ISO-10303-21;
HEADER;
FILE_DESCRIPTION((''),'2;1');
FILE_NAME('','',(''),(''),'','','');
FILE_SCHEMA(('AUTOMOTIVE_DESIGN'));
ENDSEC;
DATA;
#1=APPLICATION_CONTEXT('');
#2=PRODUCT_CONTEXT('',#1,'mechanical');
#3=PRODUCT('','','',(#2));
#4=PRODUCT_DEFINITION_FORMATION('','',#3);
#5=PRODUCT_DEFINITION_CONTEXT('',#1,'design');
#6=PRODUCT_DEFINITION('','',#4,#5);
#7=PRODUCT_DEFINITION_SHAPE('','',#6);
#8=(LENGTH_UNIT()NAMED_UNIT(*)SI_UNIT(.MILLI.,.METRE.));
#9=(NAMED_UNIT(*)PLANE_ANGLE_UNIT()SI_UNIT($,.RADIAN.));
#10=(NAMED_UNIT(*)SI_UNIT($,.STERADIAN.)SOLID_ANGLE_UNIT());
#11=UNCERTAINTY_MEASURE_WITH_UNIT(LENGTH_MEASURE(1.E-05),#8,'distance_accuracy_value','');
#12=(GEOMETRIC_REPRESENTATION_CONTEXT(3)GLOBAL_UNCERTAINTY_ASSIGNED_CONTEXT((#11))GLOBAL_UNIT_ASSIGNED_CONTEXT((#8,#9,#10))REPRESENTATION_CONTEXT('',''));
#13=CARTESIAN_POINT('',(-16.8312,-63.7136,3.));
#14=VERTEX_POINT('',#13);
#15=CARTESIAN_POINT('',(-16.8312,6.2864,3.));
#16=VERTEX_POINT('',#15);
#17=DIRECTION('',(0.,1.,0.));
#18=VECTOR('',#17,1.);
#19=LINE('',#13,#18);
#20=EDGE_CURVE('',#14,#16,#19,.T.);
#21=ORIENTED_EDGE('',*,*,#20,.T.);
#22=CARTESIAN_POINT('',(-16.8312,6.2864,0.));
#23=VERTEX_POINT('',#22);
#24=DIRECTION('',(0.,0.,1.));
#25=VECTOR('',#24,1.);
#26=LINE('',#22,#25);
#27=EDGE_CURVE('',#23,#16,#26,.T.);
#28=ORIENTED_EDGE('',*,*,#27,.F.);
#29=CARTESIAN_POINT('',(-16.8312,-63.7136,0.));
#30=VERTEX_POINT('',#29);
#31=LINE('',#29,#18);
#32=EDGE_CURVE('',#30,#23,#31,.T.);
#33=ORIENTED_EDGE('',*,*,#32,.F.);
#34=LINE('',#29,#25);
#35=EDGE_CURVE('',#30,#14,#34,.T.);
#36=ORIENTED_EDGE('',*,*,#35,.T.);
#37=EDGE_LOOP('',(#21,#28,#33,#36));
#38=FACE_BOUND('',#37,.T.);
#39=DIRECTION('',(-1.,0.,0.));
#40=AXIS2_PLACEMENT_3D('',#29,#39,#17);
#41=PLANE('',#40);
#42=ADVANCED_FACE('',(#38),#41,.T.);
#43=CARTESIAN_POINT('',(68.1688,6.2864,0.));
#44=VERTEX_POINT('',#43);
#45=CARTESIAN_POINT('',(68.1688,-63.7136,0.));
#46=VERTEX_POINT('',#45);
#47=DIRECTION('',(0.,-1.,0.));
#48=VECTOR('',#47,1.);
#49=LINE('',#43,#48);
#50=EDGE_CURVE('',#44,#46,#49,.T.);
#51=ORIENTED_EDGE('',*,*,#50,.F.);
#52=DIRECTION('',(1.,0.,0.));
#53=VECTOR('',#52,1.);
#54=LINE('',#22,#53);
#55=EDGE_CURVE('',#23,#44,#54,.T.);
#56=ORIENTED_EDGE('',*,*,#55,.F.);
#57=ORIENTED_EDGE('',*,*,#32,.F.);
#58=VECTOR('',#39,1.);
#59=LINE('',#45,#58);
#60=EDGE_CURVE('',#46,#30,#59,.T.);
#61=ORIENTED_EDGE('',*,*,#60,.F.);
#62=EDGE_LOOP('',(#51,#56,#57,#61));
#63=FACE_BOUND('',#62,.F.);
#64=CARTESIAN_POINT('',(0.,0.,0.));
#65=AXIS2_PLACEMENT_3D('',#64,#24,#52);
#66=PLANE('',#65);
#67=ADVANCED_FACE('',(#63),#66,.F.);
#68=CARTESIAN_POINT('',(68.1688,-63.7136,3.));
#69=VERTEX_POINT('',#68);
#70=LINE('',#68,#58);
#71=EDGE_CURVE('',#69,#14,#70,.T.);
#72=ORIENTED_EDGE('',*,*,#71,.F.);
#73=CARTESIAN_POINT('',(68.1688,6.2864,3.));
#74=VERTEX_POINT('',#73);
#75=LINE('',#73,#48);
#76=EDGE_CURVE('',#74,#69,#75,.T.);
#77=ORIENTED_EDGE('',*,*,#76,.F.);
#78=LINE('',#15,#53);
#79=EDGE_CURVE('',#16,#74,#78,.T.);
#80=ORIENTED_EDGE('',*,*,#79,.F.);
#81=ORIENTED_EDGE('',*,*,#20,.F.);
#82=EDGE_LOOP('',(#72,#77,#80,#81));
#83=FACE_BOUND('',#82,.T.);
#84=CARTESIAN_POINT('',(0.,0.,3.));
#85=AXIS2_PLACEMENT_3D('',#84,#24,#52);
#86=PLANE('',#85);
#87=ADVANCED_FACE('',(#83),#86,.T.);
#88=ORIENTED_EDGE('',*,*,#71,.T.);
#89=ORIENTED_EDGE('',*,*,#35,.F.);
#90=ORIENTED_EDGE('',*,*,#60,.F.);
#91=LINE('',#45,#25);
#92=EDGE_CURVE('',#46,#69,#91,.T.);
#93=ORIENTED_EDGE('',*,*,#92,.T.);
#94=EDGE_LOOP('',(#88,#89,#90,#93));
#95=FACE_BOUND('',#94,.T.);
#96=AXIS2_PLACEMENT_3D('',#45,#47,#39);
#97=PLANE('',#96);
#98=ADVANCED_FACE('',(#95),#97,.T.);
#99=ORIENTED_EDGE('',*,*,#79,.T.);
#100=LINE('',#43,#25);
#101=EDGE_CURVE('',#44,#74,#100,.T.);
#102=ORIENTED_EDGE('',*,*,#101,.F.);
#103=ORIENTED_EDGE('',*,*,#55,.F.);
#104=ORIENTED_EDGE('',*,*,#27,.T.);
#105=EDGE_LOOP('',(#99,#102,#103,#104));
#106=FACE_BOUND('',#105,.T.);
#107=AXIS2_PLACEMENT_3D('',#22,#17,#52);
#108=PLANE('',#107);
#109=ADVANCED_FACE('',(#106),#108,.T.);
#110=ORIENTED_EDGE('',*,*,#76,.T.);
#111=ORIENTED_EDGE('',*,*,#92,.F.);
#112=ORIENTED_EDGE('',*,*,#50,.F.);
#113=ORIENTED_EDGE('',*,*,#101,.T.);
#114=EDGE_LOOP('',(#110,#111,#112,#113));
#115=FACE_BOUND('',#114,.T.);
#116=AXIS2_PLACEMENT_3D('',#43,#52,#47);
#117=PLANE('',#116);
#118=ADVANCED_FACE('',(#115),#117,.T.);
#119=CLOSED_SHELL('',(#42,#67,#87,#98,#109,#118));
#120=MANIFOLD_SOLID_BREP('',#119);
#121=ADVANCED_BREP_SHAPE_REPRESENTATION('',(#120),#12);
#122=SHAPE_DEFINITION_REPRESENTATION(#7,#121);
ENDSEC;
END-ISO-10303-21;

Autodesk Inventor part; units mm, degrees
ref_plane "YZ Plane" through (0, 0, 0) normal (1, 0, 0) x (0, 1, 0)
ref_plane "XZ Plane" through (0, 0, 0) normal (0, 1, 0) x (-1, 0, 0)
ref_plane "XY Plane" through (0, 0, 0) normal (0, 0, 1) x (1, 0, 0)
sketch "スケッチ1" plane through (0, 0, 0) normal (0, 0, 1) x (1, 0, 0)
  line L0 (-16.8312, 6.2864) -> (68.1688, 6.2864)
  line L1 (68.1688, 6.2864) -> (68.1688, -63.7136)
  line L2 (68.1688, -63.7136) -> (-16.8312, -63.7136)
  line L3 (-16.8312, -63.7136) -> (-16.8312, 6.2864)
  point P0 (0, 0)
  dimension "d0" = 85
  dimension "d1" = 70
extrude "押し出し1" add sketch "スケッチ1" along normal blind 3
equation "\"BendRadius\" = Thickness"
equation "\"BendReliefWidth\" = Thickness"
equation "\"BendReliefDepth\" = 0.5 * Thickness"
equation "\"CornerReliefSize\" = 4 * Thickness"
equation "\"MinimumRemnant\" = 2 * Thickness"
equation "\"TransitionRadius\" = BendRadius"
equation "\"JacobiRadiusSize\" = BendRadius"
equation "\"GapSize\" = Thickness"
equation "\"Thickness\" = 0.5"
properties part number "creat4"
